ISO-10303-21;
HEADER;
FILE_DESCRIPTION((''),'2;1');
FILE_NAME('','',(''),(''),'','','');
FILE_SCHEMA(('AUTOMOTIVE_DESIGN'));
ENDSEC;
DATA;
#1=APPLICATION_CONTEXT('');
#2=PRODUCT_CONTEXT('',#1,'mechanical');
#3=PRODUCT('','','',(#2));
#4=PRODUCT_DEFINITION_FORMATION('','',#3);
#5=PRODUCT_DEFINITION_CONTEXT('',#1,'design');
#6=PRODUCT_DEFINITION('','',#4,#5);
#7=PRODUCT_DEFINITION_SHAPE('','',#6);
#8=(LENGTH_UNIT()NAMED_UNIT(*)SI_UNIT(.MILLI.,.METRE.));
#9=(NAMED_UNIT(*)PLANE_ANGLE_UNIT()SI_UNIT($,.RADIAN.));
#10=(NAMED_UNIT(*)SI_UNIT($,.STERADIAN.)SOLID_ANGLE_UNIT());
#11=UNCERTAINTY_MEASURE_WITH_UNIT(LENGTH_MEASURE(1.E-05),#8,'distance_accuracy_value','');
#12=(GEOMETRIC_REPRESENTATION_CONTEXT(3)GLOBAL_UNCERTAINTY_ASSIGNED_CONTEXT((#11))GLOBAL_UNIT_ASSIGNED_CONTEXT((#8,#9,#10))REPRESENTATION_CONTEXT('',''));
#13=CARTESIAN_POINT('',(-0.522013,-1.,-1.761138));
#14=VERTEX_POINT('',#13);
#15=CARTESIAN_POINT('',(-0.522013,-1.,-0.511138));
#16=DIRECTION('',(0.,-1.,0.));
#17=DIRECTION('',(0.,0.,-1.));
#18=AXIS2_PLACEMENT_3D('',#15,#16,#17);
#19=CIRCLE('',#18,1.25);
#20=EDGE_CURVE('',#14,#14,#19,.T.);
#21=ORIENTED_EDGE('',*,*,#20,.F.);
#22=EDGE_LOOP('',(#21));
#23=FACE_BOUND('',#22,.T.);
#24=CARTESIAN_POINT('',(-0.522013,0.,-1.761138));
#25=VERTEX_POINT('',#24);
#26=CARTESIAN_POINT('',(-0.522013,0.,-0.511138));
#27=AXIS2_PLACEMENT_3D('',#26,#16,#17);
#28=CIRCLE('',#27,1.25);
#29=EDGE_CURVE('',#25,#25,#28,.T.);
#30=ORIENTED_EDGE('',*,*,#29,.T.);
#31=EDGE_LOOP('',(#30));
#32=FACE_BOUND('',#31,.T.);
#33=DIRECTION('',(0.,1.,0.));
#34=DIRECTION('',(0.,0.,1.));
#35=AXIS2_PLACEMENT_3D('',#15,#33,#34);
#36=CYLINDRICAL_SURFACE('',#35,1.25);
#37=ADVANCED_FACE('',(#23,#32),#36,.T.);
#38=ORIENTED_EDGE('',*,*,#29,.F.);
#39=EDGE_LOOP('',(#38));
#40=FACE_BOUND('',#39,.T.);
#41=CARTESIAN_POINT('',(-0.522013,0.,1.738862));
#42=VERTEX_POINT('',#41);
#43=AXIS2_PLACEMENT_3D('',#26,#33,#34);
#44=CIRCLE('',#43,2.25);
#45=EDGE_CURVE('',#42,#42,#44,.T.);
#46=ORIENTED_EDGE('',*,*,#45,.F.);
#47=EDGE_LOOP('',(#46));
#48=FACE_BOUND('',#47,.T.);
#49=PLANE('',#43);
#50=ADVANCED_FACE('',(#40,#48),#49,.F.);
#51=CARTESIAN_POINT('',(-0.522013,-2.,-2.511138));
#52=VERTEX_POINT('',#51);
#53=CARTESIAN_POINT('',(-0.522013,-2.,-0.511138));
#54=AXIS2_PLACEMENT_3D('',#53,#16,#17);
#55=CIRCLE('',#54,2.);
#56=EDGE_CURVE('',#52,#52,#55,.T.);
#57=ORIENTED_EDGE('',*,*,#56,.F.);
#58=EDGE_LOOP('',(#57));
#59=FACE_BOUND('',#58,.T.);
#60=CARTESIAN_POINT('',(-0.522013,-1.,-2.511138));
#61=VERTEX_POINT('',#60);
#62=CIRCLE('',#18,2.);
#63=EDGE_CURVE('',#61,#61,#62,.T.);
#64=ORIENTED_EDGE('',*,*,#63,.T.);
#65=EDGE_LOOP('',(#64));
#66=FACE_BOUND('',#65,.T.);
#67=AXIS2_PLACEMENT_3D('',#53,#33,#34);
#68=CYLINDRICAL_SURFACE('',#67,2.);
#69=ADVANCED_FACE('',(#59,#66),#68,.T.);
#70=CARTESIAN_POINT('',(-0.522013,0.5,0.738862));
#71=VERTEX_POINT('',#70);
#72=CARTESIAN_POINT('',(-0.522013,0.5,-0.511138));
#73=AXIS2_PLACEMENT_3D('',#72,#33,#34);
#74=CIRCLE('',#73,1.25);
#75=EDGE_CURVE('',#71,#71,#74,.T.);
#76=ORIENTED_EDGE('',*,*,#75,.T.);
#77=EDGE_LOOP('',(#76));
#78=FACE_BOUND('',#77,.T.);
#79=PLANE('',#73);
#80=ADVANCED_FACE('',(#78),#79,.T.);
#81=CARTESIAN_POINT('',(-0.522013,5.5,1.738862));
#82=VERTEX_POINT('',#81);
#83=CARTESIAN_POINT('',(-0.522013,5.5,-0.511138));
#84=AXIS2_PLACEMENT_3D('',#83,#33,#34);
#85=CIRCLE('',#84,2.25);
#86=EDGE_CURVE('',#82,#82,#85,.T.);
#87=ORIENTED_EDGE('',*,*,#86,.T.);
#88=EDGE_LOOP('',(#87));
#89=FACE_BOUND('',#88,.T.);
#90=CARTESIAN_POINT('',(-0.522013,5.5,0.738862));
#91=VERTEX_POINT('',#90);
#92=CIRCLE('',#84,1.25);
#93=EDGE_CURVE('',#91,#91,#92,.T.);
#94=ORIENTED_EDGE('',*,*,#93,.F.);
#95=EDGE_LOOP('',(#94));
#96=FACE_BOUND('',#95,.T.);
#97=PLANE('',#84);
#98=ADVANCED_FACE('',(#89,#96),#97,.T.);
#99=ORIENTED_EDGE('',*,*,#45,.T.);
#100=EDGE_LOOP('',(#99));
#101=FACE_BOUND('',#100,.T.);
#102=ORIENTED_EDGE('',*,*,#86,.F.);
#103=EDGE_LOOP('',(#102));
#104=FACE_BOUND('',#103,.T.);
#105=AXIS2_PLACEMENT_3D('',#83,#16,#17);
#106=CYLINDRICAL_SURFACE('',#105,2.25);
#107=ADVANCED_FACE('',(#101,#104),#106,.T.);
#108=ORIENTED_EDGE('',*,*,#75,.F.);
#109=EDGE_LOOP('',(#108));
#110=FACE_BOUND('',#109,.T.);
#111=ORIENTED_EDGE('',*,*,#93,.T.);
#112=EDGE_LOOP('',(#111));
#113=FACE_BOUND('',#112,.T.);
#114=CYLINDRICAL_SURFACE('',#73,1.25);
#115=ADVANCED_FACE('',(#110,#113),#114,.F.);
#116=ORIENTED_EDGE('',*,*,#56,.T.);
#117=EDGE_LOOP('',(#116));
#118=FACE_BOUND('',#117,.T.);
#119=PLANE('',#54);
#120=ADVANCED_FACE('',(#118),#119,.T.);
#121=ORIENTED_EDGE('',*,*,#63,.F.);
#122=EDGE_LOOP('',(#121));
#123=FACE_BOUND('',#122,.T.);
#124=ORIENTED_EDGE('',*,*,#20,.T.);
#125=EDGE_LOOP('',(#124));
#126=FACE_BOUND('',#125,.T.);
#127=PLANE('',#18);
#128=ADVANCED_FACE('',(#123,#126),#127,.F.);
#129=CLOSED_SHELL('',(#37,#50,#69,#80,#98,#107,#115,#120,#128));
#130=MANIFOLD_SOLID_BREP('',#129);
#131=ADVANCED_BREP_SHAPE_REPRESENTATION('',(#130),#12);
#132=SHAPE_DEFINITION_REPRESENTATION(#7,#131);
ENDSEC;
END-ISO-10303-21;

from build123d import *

# Parameters (mm, degrees)
SKETCH1_R           = 2.25
BOSS_EXTRUDE1_DEPTH = 5.5
SKETCH1_3_R         = 1.25
BOSS_EXTRUDE2_DEPTH = 1
SKETCH5_R           = 1.25
BOSS_EXTRUDE3_DEPTH = 1
SKETCH6_R           = 2
BOSS_EXTRUDE4_DEPTH = 1
SKETCH12_R          = 1.25
CUT_EXTRUDE1_DEPTH  = 5


with BuildPart() as part:
    # Sketch1 → Boss-Extrude1 (new body)
    with BuildSketch(Plane(origin=(0, 0, 0), x_dir=(1, 0, 0), z_dir=(0, 1, 0))):
        with Locations((-0.522013312, 0.511138034)):
            Circle(SKETCH1_R)
    extrude(amount=BOSS_EXTRUDE1_DEPTH)

    # Sketch1<3> → Boss-Extrude2 (add)
    with BuildSketch(Plane(origin=(0, 0, 0), x_dir=(1, 0, 0), z_dir=(0, 1, 0))):
        with Locations((-0.522013312, 0.511138034)):
            Circle(SKETCH1_3_R)
    extrude(amount=BOSS_EXTRUDE2_DEPTH)

    # Sketch5 → Boss-Extrude3 (add)
    with BuildSketch(Plane.XZ):
        with Locations((-0.522013312, -0.511138034)):
            Circle(SKETCH5_R)
    extrude(amount=BOSS_EXTRUDE3_DEPTH)

    # Sketch6 → Boss-Extrude4 (add)
    with BuildSketch(Plane.XZ.offset(1)):
        with Locations((-0.522013312, -0.511138034)):
            Circle(SKETCH6_R)
    extrude(amount=BOSS_EXTRUDE4_DEPTH)

    # Sketch12 → Cut-Extrude1 (cut)
    with BuildSketch(Plane(origin=(0, 5.5, 0), x_dir=(1, 0, 0), z_dir=(0, 1, 0))):
        with Locations((-0.522013312, 0.511138034)):
            Circle(SKETCH12_R)
    extrude(amount=-CUT_EXTRUDE1_DEPTH, mode=Mode.SUBTRACT)


solid = part.part
